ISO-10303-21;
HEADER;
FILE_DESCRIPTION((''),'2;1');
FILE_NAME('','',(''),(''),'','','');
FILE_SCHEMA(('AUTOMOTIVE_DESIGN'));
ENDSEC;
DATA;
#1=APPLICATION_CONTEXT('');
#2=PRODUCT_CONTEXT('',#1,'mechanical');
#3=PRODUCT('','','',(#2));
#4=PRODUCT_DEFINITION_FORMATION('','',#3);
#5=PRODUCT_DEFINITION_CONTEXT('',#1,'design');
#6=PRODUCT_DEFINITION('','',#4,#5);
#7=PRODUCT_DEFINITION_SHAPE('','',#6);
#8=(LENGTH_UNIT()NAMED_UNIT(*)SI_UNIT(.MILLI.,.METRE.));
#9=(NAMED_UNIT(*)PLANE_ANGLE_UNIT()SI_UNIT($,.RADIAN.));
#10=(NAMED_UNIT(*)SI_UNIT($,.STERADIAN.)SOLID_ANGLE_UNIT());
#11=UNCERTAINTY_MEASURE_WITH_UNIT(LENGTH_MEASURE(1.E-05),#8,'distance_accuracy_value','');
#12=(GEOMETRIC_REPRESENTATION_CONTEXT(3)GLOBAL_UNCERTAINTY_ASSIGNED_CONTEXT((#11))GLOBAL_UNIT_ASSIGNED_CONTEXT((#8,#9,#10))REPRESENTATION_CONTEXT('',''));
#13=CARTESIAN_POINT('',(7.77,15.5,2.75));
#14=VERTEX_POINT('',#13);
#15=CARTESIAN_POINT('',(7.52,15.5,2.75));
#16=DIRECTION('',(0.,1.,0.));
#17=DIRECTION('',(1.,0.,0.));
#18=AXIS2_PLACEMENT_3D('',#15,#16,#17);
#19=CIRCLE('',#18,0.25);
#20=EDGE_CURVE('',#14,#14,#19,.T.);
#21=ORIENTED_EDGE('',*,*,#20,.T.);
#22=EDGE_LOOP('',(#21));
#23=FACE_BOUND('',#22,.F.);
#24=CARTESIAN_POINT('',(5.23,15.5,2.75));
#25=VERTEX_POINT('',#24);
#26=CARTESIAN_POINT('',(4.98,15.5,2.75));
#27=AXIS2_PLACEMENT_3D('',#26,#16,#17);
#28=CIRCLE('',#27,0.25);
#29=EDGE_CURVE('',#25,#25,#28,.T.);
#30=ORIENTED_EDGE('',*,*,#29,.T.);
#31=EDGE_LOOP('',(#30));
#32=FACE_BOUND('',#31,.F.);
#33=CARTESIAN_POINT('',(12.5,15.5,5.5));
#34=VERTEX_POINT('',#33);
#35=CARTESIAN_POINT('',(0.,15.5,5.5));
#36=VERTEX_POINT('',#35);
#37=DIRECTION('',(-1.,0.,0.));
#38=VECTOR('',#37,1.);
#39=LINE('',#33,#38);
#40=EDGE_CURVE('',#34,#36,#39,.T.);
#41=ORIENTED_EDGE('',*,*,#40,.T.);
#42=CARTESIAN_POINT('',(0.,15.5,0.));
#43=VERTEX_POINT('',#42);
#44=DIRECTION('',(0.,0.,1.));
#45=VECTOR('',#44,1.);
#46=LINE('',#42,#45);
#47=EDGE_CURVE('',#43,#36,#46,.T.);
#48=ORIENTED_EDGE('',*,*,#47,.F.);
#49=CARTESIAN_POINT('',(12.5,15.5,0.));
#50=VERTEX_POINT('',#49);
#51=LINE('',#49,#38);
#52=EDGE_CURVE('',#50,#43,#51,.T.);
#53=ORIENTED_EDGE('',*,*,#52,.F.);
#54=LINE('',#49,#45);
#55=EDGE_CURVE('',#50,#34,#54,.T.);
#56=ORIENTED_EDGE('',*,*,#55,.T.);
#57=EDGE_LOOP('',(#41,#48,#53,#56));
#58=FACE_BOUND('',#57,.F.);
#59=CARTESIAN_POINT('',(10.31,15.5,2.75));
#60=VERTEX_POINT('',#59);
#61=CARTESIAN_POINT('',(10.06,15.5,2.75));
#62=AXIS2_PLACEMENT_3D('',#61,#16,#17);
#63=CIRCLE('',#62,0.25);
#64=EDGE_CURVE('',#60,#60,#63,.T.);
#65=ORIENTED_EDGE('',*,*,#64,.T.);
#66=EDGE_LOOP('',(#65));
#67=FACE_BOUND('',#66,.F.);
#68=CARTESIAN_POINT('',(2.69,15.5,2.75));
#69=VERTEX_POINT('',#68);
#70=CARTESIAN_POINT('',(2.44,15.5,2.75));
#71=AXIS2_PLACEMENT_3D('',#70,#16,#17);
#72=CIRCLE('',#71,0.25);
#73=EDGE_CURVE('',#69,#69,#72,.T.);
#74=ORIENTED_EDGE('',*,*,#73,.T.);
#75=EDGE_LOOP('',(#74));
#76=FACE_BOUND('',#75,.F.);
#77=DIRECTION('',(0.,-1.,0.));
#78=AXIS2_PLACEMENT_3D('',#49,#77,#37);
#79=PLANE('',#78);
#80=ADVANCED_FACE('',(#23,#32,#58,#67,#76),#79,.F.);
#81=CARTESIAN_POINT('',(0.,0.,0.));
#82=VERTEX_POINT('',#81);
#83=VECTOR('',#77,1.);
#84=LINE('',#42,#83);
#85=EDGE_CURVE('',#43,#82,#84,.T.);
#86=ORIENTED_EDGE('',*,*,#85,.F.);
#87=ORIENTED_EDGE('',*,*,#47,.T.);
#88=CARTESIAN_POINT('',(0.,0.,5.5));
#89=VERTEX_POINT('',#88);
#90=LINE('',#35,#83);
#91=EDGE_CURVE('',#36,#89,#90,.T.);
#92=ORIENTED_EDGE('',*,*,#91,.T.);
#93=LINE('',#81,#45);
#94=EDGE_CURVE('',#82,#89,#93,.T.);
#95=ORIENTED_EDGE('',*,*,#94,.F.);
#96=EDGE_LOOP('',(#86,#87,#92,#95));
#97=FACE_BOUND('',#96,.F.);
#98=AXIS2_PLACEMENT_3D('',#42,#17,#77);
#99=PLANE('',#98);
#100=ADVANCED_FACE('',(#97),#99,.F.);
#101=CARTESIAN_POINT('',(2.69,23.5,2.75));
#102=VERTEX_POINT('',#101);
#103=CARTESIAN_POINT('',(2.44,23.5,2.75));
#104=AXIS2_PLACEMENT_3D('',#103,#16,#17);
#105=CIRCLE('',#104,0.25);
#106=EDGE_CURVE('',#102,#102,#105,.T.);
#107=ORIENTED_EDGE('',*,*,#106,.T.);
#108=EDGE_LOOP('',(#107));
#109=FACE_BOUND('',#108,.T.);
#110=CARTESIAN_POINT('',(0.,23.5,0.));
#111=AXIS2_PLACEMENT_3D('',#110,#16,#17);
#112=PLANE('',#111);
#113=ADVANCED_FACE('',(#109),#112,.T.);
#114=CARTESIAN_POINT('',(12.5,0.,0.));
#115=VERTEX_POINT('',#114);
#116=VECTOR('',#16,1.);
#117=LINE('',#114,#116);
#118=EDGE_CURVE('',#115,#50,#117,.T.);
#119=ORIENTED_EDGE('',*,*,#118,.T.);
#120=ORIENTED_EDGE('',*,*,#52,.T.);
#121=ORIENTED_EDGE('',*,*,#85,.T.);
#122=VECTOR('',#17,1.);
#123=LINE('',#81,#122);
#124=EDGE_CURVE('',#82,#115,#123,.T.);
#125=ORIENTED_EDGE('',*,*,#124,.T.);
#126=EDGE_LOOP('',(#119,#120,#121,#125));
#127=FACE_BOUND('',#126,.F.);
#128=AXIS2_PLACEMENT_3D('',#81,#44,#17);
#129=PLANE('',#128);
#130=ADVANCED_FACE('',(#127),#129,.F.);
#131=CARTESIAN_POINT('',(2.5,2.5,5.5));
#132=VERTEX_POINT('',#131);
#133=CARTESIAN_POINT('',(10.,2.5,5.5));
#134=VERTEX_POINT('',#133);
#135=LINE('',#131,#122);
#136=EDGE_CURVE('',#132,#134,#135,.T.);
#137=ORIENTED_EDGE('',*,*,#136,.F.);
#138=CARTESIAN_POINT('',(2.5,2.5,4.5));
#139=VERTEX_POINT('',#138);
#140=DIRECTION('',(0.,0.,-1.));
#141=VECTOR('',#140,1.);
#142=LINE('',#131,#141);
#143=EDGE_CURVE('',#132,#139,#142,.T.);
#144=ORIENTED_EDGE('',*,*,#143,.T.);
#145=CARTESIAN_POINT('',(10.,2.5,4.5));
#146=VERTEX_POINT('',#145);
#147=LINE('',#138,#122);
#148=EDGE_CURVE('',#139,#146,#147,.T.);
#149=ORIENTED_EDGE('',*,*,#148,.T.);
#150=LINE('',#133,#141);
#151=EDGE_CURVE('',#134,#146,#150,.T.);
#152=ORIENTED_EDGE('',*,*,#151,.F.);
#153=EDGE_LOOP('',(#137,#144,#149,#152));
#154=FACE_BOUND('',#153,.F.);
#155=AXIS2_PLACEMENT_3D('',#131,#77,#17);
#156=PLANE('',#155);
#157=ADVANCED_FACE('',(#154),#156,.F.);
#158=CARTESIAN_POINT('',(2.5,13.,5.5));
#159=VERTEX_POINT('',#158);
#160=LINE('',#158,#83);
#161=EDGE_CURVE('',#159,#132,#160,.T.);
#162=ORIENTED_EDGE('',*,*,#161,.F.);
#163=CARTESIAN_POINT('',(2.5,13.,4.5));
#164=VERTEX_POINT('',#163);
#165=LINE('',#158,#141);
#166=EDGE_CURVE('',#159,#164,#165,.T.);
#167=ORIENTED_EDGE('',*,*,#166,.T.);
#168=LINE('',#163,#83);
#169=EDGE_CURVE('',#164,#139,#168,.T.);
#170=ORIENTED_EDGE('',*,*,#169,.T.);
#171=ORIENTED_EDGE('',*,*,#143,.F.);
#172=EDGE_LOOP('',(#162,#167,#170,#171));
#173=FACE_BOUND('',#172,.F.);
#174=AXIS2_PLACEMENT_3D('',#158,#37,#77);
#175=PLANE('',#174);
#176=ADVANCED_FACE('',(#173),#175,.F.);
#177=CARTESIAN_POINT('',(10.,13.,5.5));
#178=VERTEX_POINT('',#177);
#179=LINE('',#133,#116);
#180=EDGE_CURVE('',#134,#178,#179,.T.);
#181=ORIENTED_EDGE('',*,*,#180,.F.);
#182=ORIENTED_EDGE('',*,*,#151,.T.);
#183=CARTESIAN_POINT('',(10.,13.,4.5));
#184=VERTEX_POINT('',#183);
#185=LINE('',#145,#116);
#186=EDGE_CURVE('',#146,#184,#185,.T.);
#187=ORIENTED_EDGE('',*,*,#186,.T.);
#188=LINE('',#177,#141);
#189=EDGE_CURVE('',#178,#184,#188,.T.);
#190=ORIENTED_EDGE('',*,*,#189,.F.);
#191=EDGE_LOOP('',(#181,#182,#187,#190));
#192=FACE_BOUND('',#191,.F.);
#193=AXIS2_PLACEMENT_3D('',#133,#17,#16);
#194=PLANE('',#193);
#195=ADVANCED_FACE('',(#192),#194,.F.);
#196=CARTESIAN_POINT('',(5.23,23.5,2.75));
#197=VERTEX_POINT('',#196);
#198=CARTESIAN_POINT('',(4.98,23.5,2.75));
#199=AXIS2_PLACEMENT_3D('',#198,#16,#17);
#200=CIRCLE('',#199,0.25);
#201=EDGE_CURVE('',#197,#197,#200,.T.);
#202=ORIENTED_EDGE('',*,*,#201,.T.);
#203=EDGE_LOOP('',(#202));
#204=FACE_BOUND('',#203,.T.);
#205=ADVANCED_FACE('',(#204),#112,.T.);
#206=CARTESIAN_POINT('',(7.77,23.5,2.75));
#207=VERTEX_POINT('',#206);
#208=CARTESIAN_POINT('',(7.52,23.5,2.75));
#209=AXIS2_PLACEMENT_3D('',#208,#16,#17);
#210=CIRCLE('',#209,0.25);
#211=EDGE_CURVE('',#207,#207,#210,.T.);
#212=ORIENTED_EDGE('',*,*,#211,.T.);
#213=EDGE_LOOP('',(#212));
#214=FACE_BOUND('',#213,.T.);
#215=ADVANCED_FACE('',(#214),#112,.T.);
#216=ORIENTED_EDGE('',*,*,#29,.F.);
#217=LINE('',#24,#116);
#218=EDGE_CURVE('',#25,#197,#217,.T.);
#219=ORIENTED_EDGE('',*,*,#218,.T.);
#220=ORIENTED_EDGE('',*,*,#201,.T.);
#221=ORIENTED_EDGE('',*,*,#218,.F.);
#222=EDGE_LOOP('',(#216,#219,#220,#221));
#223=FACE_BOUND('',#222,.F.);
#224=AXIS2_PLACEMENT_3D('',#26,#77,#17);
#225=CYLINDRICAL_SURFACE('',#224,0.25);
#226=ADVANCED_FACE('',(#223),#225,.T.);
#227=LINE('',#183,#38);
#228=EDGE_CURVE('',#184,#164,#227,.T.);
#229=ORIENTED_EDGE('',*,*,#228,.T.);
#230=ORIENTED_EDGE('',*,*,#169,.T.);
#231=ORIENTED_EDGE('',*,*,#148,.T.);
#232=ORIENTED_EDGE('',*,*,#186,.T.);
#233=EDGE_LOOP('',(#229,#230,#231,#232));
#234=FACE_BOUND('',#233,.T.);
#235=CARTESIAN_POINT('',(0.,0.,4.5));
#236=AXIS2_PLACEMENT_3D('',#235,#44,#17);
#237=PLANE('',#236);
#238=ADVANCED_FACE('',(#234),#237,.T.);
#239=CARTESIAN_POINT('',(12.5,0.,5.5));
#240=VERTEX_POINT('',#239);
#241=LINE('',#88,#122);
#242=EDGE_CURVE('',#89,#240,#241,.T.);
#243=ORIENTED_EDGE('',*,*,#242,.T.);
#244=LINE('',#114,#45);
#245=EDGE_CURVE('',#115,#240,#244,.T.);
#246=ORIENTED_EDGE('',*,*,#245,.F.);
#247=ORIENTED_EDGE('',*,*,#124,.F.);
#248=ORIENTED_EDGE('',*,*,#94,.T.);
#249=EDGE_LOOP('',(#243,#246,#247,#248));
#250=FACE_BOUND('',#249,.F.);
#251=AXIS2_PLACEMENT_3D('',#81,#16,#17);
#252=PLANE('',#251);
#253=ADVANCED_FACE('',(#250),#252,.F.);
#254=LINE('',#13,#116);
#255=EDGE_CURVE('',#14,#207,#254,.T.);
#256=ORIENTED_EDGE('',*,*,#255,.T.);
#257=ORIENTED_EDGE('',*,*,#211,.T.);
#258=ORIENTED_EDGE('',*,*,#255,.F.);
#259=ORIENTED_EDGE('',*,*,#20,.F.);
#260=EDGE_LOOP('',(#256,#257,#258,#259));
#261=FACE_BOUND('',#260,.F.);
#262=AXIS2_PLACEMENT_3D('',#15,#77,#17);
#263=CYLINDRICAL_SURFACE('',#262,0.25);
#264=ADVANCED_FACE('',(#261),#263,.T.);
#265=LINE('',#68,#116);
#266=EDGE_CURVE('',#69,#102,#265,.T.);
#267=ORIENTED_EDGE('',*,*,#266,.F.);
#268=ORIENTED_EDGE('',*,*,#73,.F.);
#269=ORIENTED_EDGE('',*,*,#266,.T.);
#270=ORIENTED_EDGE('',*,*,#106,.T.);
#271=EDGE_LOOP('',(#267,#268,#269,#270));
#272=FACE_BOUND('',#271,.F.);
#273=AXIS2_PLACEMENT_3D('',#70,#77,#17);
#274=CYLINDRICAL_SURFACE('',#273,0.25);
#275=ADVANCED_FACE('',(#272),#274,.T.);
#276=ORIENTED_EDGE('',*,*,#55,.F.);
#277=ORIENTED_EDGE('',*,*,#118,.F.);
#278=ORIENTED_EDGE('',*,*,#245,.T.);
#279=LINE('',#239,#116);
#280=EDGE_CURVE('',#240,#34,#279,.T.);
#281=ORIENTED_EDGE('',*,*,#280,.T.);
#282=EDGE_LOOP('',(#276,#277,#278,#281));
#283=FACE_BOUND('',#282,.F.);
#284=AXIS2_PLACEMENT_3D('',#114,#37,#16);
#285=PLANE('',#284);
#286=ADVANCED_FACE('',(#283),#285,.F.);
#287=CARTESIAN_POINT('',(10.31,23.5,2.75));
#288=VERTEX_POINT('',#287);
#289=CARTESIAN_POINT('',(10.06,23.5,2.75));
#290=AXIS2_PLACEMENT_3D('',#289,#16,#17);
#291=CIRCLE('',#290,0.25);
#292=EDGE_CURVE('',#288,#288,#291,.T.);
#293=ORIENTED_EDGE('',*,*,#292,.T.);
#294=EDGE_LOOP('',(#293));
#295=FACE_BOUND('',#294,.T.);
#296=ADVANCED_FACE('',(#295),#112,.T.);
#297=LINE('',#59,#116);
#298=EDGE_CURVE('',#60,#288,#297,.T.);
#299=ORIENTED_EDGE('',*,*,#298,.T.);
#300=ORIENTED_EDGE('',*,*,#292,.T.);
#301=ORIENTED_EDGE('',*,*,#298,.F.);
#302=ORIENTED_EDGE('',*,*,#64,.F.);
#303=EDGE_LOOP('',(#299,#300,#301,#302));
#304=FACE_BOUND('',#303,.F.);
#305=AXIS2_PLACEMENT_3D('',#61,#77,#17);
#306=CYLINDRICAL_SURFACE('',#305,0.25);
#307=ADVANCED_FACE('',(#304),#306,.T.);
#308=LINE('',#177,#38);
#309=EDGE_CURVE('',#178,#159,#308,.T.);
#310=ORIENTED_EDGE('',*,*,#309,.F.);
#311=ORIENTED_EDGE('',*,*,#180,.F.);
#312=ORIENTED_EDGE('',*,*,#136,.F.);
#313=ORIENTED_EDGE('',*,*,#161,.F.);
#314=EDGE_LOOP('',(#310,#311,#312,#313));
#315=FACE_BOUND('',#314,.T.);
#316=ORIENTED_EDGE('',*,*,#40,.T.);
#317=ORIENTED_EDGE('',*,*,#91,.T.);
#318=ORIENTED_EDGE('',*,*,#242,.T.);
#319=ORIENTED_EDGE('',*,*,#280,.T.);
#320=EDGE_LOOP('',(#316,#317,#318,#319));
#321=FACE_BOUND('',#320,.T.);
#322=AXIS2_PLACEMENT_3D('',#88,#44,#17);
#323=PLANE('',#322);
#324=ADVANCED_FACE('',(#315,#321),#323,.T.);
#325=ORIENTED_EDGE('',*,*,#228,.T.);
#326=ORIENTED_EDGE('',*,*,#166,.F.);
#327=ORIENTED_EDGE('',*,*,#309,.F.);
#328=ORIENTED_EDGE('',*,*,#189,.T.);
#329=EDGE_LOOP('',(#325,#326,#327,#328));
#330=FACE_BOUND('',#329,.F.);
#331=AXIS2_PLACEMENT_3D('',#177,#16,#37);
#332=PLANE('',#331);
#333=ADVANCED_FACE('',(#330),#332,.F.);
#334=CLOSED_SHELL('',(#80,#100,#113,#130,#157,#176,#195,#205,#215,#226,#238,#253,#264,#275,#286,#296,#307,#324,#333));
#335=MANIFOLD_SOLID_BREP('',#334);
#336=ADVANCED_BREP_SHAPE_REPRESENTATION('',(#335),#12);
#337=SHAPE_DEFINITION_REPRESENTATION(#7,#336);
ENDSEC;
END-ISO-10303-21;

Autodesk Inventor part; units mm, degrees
ref_plane "YZ Plane" through (0, 0, 0) normal (1, 0, 0) x (0, 1, 0)
ref_plane "XZ Plane" through (0, 0, 0) normal (0, 1, 0) x (-1, 0, 0)
ref_plane "XY Plane" through (0, 0, 0) normal (0, 0, 1) x (1, 0, 0)
sketch "Sketch1" plane through (0, 0, 0) normal (0, 0, 1) x (1, 0, 0)
  line L0 (0, 0) -> (12.5, 0)
  line L1 (12.5, 0) -> (12.5, 15.5)
  line L2 (12.5, 15.5) -> (0, 15.5)
  line L3 (0, 15.5) -> (0, 0)
  dimension "d0" = 12.5
  dimension "d1" = 15.5
extrude "Extrusion1" add sketch "Sketch1" along normal blind 5.5
sketch "Sketch3" plane through (0, 0, 5.5) normal (0, 0, 1) x (1, 0, 0)
  line L0 (2.5, 2.5) -> (10, 2.5)
  line L1 (10, 2.5) -> (10, 13)
  line L2 (10, 13) -> (2.5, 13)
  line L3 (2.5, 13) -> (2.5, 2.5)
  point P0 (0, 0)
  point P1 (12, 0.5)
  point P2 (0.5, 15)
extrude "Extrusion3" cut sketch "Sketch3" against normal blind 1
sketch "Sketch5" plane through (0, 15.5, 0) normal (0, 1, 0) x (1, 0, 0)
  point P0 (0, 0)
sketch "Sketch7" plane through (0, 15.5, 0) normal (0, 1, 0) x (1, 0, 0)
  point P0 (0, 0)
sketch "Sketch8" plane through (0, 15.5, 0) normal (0, 1, 0) x (1, 0, 0)
  line L0 (0, -5.5) -> (12.5, -5.5) projected
  line L1 (0, 0) -> (12.5, 0)
  line L2 (12.5, 0) -> (12.5, -5.5)
  line L3 (12.5, -5.5) -> (0, -5.5)
  line L4 (0, -5.5) -> (0, 0)
  line L5 (0, 0) -> (0, -5.5) projected
  line L6 (12.5, 0) -> (12.5, -5.5) projected
  circle A0 centre (2.44, -2.75) radius 0.25
  circle A1 centre (4.98, -2.75) radius 0.25
  circle A2 centre (7.52, -2.75) radius 0.25
  circle A3 centre (10.06, -2.75) radius 0.25
  dimension "d49" = 0.5
  dimension "d50" = 0.5
  dimension "d51" = 0.5
  dimension "d52" = 0.5
extrude "Extrusion4" add sketch "Sketch8" along normal blind 8 contours A0 | A1 | A2 | A3
properties part number "DHT11"
